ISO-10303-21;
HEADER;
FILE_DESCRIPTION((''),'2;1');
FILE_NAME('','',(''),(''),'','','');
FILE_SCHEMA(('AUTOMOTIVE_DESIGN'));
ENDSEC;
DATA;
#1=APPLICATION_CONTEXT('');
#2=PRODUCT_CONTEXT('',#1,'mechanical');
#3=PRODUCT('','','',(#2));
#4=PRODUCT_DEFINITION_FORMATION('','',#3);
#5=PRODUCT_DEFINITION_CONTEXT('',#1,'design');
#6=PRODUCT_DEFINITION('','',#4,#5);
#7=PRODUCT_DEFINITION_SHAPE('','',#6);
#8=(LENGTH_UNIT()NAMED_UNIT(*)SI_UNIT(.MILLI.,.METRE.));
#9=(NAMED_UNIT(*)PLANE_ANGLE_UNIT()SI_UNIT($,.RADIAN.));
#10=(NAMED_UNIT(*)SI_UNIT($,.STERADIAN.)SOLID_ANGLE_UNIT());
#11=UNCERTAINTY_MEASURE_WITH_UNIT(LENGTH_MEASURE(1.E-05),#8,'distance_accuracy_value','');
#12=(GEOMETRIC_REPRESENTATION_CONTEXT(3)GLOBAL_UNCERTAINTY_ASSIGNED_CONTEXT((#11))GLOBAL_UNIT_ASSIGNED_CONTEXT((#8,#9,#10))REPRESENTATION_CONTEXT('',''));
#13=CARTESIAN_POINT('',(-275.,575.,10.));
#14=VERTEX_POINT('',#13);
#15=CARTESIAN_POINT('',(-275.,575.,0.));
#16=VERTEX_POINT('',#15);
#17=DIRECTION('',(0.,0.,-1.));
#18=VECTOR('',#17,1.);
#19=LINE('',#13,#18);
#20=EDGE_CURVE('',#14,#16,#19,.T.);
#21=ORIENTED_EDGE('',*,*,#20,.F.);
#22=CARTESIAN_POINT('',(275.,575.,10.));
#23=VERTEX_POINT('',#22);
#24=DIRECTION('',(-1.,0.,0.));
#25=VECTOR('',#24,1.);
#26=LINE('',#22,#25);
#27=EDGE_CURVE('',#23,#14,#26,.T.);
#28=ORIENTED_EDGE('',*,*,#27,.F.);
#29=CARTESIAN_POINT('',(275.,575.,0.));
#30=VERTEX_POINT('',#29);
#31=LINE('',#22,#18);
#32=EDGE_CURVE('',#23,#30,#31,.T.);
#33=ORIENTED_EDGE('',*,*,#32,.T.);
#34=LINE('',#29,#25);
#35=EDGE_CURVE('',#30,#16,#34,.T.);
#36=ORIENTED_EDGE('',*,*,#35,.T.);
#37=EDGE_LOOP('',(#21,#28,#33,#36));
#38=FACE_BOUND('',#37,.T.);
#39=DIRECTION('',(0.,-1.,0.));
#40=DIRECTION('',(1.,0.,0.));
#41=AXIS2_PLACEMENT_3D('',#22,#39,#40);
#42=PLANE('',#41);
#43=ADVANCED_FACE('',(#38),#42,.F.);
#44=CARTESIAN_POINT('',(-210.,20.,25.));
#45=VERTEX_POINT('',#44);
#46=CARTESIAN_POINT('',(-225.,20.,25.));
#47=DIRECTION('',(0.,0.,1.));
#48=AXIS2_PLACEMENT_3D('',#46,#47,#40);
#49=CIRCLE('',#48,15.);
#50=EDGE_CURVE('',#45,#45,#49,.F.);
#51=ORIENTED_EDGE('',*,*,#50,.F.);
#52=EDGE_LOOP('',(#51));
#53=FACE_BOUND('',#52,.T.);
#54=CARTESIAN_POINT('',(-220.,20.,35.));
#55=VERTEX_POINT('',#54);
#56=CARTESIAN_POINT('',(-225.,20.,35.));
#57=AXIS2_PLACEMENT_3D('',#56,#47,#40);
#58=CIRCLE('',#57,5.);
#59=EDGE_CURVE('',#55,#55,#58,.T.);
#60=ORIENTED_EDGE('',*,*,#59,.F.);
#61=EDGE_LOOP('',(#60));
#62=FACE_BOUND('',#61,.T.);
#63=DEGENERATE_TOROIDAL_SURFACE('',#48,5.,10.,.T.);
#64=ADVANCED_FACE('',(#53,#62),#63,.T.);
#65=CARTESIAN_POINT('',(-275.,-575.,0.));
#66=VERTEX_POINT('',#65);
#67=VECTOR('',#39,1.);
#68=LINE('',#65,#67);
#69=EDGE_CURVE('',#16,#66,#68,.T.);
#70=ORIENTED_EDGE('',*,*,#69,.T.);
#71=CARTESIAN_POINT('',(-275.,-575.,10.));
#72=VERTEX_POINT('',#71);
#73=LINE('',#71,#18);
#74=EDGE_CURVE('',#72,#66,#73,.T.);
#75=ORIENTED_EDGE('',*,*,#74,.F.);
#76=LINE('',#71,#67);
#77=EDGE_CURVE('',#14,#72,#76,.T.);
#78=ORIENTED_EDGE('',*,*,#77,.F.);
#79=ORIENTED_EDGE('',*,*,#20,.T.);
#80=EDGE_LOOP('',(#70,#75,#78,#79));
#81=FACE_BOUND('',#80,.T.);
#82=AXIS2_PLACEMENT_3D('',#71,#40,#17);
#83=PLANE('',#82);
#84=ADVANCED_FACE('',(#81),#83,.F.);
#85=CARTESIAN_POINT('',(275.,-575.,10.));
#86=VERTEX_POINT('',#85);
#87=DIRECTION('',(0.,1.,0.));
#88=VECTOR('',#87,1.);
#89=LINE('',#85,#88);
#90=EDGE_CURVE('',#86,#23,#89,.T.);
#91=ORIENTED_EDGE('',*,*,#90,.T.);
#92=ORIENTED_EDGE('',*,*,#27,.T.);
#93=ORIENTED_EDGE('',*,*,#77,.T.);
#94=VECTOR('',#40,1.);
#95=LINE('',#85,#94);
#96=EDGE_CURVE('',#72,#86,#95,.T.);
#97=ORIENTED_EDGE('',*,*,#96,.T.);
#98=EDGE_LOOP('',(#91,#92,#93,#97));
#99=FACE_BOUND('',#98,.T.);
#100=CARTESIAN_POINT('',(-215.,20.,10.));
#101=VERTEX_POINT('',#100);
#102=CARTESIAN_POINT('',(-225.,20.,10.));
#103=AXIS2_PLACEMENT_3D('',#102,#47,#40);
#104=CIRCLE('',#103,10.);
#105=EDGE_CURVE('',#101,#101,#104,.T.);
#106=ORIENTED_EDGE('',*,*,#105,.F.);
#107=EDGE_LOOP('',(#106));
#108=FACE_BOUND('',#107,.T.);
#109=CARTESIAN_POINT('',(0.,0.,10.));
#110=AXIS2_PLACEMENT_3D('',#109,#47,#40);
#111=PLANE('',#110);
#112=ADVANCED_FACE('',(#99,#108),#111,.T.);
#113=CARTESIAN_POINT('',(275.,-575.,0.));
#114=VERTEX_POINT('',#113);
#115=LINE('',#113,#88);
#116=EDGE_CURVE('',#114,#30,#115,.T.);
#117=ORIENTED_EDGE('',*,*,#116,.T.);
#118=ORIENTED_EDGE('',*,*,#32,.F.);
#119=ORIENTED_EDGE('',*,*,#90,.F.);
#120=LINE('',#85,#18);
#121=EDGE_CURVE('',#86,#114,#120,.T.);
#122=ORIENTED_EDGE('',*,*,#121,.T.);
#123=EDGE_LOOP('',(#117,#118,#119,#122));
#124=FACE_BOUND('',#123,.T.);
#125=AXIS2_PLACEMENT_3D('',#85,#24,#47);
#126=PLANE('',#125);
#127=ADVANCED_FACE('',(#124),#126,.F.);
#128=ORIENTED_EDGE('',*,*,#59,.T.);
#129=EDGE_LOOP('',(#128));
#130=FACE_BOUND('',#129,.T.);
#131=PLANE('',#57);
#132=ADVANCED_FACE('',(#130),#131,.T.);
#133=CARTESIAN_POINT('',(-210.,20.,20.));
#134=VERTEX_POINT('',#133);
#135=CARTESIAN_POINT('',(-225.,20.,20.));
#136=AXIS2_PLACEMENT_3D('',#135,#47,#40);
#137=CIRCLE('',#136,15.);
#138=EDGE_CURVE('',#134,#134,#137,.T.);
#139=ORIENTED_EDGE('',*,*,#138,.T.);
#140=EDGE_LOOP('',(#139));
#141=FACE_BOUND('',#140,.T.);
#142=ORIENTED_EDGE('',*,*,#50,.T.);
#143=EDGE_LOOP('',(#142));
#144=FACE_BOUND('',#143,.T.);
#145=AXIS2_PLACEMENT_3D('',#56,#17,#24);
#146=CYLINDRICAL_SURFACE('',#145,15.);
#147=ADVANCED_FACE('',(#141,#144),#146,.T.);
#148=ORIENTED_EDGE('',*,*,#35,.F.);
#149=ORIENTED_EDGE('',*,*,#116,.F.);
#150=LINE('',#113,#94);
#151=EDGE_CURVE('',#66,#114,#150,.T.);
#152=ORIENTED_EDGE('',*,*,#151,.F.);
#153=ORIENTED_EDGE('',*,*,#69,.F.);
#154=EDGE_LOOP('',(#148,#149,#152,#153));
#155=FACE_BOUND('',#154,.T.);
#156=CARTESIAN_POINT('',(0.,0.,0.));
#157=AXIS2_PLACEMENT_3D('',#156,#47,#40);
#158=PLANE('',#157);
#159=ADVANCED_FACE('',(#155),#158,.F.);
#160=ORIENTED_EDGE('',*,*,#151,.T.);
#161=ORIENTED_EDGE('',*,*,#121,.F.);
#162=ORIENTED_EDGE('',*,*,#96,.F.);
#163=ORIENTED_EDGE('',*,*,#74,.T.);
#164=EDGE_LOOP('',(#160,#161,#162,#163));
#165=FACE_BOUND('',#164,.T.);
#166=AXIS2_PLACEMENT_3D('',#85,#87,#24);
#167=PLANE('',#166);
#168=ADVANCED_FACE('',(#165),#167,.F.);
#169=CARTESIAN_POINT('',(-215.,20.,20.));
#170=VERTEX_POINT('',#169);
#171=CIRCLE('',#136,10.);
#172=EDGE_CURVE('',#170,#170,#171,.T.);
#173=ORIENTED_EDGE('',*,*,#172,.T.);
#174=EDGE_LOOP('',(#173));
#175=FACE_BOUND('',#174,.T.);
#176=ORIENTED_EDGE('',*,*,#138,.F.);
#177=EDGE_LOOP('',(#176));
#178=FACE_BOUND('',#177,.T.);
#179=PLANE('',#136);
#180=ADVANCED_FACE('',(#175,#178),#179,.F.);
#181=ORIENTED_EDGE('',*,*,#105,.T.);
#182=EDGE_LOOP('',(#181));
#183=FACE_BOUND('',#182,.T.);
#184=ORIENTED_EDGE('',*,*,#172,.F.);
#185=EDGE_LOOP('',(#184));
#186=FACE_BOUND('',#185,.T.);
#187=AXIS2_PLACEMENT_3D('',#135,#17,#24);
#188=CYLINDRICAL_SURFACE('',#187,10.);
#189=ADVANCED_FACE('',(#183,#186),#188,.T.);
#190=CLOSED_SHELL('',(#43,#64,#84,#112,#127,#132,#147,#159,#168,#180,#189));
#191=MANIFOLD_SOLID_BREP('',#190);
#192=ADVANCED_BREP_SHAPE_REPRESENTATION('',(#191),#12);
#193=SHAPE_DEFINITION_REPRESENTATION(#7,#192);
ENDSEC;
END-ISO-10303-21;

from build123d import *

# Parameters (mm, degrees)
SKETCH1_W           = 550
SKETCH1_H           = 1150
BOSS_EXTRUDE1_DEPTH = 10
SKETCH2_R           = 10
BOSS_EXTRUDE2_DEPTH = 10
SKETCH3_R           = 15
BOSS_EXTRUDE3_DEPTH = 15
FILLET4_R           = 10


with BuildPart() as part:
    # Sketch1 → Boss-Extrude1 (new body)
    with BuildSketch(Plane.XY):
        Rectangle(SKETCH1_W, SKETCH1_H)
    extrude(amount=BOSS_EXTRUDE1_DEPTH)

    # Sketch2 → Boss-Extrude2 (add)
    with BuildSketch(Plane.XY.offset(10)):
        with Locations((-225, 20)):
            Circle(SKETCH2_R)
    extrude(amount=BOSS_EXTRUDE2_DEPTH)

    # Sketch3 → Boss-Extrude3 (add)
    with BuildSketch(Plane.XY.offset(20)):
        with Locations((-225, 20)):
            Circle(SKETCH3_R)
    extrude(amount=BOSS_EXTRUDE3_DEPTH)

    # Fillet4
    fillet4_edges = [part.edges().sort_by_distance(p)[0] for p in [
        (-240, 20, 35),
    ]]
    fillet(fillet4_edges, radius=FILLET4_R)


solid = part.part
